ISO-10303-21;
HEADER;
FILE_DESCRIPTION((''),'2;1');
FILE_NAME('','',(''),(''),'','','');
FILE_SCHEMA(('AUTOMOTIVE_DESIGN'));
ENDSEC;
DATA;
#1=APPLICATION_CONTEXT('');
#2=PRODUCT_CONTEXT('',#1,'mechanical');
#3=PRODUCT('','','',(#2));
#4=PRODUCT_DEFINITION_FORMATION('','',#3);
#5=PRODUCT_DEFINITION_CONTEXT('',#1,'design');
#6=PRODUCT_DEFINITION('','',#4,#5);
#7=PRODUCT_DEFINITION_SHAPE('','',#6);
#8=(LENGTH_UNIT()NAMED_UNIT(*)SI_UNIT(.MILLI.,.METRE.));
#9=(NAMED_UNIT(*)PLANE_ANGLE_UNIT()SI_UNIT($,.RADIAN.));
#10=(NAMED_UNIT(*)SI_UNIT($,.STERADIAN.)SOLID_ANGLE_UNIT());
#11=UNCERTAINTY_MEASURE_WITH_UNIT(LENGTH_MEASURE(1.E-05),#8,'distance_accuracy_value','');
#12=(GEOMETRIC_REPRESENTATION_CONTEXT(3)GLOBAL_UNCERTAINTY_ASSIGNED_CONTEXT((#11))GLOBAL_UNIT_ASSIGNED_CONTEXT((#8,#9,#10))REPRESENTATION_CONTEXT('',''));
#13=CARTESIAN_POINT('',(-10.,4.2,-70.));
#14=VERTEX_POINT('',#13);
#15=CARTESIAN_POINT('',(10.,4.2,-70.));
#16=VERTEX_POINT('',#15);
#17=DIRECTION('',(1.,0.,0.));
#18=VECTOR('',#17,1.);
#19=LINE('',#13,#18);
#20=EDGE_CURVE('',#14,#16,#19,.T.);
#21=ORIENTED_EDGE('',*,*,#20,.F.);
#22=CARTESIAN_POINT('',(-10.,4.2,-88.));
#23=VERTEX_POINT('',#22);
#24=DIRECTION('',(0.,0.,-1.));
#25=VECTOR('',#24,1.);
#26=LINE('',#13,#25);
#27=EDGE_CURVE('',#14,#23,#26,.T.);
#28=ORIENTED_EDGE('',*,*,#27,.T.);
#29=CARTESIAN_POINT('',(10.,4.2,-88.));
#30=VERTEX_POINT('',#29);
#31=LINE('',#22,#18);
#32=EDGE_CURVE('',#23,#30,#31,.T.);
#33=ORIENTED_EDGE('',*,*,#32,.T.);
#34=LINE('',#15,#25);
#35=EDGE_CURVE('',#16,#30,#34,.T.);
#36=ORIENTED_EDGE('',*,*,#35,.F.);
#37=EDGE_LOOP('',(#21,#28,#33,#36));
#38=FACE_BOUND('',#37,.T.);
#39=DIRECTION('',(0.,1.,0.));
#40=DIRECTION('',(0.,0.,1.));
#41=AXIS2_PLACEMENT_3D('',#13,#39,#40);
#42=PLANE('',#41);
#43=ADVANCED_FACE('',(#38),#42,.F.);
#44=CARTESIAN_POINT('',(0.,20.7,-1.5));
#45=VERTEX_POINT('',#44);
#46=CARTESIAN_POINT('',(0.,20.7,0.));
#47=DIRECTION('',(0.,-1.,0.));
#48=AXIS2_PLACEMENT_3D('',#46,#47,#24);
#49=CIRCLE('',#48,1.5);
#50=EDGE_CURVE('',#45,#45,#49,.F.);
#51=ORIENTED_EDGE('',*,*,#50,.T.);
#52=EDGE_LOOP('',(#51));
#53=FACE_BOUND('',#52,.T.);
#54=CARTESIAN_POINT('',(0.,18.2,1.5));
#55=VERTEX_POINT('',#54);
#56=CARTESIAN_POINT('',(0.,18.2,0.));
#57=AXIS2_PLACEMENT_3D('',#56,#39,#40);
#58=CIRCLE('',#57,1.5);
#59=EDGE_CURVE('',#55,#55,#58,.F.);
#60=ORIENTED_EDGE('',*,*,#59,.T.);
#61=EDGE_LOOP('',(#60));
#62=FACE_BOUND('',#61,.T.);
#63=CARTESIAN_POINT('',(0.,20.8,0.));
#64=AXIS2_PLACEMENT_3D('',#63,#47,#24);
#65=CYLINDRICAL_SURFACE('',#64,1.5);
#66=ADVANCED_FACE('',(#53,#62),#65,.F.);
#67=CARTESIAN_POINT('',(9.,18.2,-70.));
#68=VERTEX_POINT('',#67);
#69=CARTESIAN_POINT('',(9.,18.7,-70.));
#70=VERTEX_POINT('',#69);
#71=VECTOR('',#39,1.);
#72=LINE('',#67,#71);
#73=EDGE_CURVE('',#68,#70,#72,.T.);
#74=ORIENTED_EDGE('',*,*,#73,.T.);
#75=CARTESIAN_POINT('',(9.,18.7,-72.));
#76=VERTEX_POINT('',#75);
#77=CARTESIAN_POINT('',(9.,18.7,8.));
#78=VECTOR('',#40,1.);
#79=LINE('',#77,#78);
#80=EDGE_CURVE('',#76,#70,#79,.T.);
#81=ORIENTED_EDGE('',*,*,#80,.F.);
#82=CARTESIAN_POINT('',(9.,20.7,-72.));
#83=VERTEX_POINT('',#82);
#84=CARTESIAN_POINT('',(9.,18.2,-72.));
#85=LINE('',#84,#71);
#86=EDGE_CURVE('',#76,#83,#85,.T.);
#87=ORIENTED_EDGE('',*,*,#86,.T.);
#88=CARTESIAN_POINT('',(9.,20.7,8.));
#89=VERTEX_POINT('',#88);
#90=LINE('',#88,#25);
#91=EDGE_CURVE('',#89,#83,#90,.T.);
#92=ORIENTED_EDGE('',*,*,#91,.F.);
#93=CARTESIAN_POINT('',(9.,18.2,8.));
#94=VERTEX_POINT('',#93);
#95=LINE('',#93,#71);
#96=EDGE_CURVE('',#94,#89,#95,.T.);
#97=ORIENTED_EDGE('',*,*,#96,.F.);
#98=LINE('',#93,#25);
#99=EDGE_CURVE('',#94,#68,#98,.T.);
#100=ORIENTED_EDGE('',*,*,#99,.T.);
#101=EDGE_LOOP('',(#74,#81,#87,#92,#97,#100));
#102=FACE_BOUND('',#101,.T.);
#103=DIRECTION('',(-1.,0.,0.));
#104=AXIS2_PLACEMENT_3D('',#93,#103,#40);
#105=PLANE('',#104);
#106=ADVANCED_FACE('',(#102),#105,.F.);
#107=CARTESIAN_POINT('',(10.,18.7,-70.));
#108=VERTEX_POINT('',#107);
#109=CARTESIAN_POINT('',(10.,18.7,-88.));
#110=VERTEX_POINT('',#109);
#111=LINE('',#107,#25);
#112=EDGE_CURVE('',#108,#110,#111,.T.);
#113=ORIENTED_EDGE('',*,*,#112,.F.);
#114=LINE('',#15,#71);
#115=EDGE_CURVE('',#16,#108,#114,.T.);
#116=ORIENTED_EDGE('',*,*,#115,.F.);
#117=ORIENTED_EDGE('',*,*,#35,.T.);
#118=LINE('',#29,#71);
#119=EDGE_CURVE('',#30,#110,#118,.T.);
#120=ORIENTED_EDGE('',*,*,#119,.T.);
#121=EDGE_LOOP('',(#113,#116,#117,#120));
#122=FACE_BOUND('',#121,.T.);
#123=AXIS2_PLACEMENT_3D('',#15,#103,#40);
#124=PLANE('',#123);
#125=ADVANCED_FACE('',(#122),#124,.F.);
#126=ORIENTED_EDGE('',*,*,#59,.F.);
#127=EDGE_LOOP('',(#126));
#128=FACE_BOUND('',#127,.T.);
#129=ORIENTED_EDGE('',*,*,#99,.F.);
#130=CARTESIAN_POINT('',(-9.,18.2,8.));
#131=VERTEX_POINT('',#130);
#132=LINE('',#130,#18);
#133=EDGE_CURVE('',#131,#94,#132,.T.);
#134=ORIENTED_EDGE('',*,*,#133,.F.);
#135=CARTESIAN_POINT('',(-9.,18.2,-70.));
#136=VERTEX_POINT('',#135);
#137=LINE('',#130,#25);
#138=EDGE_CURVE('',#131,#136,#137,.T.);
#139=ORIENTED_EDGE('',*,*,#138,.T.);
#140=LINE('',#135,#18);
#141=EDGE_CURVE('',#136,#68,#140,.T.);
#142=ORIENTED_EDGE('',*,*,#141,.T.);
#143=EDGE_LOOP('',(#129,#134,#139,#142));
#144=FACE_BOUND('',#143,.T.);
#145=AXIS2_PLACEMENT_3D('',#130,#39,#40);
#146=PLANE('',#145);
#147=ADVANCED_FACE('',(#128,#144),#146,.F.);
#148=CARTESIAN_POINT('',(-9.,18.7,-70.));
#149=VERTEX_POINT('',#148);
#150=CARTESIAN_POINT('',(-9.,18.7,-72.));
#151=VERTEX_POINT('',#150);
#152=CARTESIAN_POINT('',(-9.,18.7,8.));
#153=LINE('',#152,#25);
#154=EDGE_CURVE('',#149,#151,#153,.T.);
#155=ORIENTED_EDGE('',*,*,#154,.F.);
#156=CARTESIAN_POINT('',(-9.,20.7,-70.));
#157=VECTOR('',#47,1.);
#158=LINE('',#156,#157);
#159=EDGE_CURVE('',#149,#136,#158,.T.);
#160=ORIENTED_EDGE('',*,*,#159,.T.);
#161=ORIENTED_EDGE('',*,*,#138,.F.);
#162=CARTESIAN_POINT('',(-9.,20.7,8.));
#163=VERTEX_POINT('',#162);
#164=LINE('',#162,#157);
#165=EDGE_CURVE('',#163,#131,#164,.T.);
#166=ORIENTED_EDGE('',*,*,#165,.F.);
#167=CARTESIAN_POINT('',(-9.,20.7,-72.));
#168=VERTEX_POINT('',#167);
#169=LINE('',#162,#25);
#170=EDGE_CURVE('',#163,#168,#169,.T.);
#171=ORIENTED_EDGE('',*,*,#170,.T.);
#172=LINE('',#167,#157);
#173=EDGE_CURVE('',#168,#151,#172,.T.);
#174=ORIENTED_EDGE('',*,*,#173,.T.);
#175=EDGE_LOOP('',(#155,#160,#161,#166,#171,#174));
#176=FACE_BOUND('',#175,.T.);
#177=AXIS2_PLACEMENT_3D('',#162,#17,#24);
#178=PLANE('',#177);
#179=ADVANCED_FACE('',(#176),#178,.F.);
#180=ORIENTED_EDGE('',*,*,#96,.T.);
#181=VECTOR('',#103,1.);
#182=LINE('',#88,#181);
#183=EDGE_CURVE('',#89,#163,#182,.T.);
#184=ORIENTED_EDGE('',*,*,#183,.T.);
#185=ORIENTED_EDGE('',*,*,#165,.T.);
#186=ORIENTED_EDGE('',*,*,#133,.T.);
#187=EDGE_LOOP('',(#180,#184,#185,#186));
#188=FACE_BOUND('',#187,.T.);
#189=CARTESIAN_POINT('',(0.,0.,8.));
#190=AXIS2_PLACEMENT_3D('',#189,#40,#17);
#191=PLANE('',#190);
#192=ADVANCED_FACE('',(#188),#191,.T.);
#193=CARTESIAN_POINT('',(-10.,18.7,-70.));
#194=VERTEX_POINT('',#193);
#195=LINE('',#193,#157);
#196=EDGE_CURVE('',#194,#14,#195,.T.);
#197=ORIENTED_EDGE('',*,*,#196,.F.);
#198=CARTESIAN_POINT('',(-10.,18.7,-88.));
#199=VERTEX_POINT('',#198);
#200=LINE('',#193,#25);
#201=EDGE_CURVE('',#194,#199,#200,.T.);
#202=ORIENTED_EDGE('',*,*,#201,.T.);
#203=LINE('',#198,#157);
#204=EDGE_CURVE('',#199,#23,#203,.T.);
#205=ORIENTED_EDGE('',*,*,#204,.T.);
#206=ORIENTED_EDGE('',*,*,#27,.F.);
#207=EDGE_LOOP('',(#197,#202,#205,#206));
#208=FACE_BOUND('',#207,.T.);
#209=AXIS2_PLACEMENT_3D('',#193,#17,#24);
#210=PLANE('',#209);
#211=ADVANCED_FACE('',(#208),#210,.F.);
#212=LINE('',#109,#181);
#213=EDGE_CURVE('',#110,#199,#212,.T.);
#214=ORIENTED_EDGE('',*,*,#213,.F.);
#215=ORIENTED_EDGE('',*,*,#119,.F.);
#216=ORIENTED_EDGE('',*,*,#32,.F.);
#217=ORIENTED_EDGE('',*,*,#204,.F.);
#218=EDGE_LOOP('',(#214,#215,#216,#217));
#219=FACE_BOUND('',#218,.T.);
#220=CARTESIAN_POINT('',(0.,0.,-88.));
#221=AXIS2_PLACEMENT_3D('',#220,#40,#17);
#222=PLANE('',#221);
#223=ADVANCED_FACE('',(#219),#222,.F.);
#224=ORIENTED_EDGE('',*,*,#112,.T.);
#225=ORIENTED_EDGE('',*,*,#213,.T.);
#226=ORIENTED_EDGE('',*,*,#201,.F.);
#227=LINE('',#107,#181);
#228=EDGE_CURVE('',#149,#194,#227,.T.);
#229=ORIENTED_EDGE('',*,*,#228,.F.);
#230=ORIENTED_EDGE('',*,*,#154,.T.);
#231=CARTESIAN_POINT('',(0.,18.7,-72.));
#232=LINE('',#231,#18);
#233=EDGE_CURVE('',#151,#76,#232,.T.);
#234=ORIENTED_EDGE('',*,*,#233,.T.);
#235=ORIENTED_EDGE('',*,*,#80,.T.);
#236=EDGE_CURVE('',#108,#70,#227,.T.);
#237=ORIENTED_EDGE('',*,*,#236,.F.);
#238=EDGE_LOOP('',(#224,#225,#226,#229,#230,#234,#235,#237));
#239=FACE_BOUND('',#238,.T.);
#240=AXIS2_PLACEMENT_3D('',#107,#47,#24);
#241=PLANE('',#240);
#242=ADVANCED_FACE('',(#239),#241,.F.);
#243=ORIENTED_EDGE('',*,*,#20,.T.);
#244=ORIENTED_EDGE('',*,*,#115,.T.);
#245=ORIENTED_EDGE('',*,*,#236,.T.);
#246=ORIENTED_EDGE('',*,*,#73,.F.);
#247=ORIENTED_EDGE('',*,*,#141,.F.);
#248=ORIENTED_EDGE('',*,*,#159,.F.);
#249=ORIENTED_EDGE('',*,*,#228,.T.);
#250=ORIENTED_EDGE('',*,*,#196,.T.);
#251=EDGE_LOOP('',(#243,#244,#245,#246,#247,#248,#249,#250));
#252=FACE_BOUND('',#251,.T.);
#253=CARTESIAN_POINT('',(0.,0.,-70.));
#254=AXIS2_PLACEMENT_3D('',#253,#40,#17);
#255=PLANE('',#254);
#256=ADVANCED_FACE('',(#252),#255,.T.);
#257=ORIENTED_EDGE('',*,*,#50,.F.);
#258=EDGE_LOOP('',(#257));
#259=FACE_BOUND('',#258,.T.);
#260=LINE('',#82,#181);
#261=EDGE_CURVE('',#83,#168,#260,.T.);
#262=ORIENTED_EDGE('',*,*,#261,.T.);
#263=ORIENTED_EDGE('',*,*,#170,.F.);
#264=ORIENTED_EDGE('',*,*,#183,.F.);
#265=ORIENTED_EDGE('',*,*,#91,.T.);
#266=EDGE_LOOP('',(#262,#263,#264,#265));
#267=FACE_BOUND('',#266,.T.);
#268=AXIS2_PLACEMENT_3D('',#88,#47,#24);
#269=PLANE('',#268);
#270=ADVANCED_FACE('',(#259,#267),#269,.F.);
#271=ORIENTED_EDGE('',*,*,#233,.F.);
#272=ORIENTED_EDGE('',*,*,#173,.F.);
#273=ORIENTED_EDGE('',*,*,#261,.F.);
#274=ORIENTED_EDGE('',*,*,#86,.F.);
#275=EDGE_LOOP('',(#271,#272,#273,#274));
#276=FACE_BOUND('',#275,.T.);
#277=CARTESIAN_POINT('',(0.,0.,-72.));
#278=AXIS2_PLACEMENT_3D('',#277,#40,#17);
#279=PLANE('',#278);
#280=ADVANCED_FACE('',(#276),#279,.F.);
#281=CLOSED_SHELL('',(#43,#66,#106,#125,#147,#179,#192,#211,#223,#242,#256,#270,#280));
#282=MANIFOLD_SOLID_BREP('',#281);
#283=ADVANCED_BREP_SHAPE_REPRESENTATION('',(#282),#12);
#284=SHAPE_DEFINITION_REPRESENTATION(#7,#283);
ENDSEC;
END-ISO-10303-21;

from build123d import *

# Parameters (mm, degrees)
S_BOX1_W     = 18
S_BOX1_H     = 2.5
BOSS_1_DEPTH = 80
S_BOX2_W     = 20
S_BOX2_H     = 14.5
BOSS_2_DEPTH = 18
S_HOLE3_R    = 1.5
HOLE_3_DEPTH = 2.7


with BuildPart() as part:
    # S_box1 → Boss_1 (new body)
    with BuildSketch(Plane.XY.offset(-72)):
        with Locations((0, 19.45)):
            Rectangle(S_BOX1_W, S_BOX1_H)
    extrude(amount=BOSS_1_DEPTH)

    # S_box2 → Boss_2 (add)
    with BuildSketch(Plane.XY.offset(-88)):
        with Locations((0, 11.45)):
            Rectangle(S_BOX2_W, S_BOX2_H)
    extrude(amount=BOSS_2_DEPTH)

    # S_hole3 → Hole_3 (cut)
    with BuildSketch(Plane(origin=(0, 18.1, 0), x_dir=(1, 0, 0), z_dir=(0, 1, 0))):
        with Locations(Location((0, 0, 0), (0, 0, 90))):
            Circle(S_HOLE3_R)
    extrude(amount=HOLE_3_DEPTH, mode=Mode.SUBTRACT)


solid = part.part
